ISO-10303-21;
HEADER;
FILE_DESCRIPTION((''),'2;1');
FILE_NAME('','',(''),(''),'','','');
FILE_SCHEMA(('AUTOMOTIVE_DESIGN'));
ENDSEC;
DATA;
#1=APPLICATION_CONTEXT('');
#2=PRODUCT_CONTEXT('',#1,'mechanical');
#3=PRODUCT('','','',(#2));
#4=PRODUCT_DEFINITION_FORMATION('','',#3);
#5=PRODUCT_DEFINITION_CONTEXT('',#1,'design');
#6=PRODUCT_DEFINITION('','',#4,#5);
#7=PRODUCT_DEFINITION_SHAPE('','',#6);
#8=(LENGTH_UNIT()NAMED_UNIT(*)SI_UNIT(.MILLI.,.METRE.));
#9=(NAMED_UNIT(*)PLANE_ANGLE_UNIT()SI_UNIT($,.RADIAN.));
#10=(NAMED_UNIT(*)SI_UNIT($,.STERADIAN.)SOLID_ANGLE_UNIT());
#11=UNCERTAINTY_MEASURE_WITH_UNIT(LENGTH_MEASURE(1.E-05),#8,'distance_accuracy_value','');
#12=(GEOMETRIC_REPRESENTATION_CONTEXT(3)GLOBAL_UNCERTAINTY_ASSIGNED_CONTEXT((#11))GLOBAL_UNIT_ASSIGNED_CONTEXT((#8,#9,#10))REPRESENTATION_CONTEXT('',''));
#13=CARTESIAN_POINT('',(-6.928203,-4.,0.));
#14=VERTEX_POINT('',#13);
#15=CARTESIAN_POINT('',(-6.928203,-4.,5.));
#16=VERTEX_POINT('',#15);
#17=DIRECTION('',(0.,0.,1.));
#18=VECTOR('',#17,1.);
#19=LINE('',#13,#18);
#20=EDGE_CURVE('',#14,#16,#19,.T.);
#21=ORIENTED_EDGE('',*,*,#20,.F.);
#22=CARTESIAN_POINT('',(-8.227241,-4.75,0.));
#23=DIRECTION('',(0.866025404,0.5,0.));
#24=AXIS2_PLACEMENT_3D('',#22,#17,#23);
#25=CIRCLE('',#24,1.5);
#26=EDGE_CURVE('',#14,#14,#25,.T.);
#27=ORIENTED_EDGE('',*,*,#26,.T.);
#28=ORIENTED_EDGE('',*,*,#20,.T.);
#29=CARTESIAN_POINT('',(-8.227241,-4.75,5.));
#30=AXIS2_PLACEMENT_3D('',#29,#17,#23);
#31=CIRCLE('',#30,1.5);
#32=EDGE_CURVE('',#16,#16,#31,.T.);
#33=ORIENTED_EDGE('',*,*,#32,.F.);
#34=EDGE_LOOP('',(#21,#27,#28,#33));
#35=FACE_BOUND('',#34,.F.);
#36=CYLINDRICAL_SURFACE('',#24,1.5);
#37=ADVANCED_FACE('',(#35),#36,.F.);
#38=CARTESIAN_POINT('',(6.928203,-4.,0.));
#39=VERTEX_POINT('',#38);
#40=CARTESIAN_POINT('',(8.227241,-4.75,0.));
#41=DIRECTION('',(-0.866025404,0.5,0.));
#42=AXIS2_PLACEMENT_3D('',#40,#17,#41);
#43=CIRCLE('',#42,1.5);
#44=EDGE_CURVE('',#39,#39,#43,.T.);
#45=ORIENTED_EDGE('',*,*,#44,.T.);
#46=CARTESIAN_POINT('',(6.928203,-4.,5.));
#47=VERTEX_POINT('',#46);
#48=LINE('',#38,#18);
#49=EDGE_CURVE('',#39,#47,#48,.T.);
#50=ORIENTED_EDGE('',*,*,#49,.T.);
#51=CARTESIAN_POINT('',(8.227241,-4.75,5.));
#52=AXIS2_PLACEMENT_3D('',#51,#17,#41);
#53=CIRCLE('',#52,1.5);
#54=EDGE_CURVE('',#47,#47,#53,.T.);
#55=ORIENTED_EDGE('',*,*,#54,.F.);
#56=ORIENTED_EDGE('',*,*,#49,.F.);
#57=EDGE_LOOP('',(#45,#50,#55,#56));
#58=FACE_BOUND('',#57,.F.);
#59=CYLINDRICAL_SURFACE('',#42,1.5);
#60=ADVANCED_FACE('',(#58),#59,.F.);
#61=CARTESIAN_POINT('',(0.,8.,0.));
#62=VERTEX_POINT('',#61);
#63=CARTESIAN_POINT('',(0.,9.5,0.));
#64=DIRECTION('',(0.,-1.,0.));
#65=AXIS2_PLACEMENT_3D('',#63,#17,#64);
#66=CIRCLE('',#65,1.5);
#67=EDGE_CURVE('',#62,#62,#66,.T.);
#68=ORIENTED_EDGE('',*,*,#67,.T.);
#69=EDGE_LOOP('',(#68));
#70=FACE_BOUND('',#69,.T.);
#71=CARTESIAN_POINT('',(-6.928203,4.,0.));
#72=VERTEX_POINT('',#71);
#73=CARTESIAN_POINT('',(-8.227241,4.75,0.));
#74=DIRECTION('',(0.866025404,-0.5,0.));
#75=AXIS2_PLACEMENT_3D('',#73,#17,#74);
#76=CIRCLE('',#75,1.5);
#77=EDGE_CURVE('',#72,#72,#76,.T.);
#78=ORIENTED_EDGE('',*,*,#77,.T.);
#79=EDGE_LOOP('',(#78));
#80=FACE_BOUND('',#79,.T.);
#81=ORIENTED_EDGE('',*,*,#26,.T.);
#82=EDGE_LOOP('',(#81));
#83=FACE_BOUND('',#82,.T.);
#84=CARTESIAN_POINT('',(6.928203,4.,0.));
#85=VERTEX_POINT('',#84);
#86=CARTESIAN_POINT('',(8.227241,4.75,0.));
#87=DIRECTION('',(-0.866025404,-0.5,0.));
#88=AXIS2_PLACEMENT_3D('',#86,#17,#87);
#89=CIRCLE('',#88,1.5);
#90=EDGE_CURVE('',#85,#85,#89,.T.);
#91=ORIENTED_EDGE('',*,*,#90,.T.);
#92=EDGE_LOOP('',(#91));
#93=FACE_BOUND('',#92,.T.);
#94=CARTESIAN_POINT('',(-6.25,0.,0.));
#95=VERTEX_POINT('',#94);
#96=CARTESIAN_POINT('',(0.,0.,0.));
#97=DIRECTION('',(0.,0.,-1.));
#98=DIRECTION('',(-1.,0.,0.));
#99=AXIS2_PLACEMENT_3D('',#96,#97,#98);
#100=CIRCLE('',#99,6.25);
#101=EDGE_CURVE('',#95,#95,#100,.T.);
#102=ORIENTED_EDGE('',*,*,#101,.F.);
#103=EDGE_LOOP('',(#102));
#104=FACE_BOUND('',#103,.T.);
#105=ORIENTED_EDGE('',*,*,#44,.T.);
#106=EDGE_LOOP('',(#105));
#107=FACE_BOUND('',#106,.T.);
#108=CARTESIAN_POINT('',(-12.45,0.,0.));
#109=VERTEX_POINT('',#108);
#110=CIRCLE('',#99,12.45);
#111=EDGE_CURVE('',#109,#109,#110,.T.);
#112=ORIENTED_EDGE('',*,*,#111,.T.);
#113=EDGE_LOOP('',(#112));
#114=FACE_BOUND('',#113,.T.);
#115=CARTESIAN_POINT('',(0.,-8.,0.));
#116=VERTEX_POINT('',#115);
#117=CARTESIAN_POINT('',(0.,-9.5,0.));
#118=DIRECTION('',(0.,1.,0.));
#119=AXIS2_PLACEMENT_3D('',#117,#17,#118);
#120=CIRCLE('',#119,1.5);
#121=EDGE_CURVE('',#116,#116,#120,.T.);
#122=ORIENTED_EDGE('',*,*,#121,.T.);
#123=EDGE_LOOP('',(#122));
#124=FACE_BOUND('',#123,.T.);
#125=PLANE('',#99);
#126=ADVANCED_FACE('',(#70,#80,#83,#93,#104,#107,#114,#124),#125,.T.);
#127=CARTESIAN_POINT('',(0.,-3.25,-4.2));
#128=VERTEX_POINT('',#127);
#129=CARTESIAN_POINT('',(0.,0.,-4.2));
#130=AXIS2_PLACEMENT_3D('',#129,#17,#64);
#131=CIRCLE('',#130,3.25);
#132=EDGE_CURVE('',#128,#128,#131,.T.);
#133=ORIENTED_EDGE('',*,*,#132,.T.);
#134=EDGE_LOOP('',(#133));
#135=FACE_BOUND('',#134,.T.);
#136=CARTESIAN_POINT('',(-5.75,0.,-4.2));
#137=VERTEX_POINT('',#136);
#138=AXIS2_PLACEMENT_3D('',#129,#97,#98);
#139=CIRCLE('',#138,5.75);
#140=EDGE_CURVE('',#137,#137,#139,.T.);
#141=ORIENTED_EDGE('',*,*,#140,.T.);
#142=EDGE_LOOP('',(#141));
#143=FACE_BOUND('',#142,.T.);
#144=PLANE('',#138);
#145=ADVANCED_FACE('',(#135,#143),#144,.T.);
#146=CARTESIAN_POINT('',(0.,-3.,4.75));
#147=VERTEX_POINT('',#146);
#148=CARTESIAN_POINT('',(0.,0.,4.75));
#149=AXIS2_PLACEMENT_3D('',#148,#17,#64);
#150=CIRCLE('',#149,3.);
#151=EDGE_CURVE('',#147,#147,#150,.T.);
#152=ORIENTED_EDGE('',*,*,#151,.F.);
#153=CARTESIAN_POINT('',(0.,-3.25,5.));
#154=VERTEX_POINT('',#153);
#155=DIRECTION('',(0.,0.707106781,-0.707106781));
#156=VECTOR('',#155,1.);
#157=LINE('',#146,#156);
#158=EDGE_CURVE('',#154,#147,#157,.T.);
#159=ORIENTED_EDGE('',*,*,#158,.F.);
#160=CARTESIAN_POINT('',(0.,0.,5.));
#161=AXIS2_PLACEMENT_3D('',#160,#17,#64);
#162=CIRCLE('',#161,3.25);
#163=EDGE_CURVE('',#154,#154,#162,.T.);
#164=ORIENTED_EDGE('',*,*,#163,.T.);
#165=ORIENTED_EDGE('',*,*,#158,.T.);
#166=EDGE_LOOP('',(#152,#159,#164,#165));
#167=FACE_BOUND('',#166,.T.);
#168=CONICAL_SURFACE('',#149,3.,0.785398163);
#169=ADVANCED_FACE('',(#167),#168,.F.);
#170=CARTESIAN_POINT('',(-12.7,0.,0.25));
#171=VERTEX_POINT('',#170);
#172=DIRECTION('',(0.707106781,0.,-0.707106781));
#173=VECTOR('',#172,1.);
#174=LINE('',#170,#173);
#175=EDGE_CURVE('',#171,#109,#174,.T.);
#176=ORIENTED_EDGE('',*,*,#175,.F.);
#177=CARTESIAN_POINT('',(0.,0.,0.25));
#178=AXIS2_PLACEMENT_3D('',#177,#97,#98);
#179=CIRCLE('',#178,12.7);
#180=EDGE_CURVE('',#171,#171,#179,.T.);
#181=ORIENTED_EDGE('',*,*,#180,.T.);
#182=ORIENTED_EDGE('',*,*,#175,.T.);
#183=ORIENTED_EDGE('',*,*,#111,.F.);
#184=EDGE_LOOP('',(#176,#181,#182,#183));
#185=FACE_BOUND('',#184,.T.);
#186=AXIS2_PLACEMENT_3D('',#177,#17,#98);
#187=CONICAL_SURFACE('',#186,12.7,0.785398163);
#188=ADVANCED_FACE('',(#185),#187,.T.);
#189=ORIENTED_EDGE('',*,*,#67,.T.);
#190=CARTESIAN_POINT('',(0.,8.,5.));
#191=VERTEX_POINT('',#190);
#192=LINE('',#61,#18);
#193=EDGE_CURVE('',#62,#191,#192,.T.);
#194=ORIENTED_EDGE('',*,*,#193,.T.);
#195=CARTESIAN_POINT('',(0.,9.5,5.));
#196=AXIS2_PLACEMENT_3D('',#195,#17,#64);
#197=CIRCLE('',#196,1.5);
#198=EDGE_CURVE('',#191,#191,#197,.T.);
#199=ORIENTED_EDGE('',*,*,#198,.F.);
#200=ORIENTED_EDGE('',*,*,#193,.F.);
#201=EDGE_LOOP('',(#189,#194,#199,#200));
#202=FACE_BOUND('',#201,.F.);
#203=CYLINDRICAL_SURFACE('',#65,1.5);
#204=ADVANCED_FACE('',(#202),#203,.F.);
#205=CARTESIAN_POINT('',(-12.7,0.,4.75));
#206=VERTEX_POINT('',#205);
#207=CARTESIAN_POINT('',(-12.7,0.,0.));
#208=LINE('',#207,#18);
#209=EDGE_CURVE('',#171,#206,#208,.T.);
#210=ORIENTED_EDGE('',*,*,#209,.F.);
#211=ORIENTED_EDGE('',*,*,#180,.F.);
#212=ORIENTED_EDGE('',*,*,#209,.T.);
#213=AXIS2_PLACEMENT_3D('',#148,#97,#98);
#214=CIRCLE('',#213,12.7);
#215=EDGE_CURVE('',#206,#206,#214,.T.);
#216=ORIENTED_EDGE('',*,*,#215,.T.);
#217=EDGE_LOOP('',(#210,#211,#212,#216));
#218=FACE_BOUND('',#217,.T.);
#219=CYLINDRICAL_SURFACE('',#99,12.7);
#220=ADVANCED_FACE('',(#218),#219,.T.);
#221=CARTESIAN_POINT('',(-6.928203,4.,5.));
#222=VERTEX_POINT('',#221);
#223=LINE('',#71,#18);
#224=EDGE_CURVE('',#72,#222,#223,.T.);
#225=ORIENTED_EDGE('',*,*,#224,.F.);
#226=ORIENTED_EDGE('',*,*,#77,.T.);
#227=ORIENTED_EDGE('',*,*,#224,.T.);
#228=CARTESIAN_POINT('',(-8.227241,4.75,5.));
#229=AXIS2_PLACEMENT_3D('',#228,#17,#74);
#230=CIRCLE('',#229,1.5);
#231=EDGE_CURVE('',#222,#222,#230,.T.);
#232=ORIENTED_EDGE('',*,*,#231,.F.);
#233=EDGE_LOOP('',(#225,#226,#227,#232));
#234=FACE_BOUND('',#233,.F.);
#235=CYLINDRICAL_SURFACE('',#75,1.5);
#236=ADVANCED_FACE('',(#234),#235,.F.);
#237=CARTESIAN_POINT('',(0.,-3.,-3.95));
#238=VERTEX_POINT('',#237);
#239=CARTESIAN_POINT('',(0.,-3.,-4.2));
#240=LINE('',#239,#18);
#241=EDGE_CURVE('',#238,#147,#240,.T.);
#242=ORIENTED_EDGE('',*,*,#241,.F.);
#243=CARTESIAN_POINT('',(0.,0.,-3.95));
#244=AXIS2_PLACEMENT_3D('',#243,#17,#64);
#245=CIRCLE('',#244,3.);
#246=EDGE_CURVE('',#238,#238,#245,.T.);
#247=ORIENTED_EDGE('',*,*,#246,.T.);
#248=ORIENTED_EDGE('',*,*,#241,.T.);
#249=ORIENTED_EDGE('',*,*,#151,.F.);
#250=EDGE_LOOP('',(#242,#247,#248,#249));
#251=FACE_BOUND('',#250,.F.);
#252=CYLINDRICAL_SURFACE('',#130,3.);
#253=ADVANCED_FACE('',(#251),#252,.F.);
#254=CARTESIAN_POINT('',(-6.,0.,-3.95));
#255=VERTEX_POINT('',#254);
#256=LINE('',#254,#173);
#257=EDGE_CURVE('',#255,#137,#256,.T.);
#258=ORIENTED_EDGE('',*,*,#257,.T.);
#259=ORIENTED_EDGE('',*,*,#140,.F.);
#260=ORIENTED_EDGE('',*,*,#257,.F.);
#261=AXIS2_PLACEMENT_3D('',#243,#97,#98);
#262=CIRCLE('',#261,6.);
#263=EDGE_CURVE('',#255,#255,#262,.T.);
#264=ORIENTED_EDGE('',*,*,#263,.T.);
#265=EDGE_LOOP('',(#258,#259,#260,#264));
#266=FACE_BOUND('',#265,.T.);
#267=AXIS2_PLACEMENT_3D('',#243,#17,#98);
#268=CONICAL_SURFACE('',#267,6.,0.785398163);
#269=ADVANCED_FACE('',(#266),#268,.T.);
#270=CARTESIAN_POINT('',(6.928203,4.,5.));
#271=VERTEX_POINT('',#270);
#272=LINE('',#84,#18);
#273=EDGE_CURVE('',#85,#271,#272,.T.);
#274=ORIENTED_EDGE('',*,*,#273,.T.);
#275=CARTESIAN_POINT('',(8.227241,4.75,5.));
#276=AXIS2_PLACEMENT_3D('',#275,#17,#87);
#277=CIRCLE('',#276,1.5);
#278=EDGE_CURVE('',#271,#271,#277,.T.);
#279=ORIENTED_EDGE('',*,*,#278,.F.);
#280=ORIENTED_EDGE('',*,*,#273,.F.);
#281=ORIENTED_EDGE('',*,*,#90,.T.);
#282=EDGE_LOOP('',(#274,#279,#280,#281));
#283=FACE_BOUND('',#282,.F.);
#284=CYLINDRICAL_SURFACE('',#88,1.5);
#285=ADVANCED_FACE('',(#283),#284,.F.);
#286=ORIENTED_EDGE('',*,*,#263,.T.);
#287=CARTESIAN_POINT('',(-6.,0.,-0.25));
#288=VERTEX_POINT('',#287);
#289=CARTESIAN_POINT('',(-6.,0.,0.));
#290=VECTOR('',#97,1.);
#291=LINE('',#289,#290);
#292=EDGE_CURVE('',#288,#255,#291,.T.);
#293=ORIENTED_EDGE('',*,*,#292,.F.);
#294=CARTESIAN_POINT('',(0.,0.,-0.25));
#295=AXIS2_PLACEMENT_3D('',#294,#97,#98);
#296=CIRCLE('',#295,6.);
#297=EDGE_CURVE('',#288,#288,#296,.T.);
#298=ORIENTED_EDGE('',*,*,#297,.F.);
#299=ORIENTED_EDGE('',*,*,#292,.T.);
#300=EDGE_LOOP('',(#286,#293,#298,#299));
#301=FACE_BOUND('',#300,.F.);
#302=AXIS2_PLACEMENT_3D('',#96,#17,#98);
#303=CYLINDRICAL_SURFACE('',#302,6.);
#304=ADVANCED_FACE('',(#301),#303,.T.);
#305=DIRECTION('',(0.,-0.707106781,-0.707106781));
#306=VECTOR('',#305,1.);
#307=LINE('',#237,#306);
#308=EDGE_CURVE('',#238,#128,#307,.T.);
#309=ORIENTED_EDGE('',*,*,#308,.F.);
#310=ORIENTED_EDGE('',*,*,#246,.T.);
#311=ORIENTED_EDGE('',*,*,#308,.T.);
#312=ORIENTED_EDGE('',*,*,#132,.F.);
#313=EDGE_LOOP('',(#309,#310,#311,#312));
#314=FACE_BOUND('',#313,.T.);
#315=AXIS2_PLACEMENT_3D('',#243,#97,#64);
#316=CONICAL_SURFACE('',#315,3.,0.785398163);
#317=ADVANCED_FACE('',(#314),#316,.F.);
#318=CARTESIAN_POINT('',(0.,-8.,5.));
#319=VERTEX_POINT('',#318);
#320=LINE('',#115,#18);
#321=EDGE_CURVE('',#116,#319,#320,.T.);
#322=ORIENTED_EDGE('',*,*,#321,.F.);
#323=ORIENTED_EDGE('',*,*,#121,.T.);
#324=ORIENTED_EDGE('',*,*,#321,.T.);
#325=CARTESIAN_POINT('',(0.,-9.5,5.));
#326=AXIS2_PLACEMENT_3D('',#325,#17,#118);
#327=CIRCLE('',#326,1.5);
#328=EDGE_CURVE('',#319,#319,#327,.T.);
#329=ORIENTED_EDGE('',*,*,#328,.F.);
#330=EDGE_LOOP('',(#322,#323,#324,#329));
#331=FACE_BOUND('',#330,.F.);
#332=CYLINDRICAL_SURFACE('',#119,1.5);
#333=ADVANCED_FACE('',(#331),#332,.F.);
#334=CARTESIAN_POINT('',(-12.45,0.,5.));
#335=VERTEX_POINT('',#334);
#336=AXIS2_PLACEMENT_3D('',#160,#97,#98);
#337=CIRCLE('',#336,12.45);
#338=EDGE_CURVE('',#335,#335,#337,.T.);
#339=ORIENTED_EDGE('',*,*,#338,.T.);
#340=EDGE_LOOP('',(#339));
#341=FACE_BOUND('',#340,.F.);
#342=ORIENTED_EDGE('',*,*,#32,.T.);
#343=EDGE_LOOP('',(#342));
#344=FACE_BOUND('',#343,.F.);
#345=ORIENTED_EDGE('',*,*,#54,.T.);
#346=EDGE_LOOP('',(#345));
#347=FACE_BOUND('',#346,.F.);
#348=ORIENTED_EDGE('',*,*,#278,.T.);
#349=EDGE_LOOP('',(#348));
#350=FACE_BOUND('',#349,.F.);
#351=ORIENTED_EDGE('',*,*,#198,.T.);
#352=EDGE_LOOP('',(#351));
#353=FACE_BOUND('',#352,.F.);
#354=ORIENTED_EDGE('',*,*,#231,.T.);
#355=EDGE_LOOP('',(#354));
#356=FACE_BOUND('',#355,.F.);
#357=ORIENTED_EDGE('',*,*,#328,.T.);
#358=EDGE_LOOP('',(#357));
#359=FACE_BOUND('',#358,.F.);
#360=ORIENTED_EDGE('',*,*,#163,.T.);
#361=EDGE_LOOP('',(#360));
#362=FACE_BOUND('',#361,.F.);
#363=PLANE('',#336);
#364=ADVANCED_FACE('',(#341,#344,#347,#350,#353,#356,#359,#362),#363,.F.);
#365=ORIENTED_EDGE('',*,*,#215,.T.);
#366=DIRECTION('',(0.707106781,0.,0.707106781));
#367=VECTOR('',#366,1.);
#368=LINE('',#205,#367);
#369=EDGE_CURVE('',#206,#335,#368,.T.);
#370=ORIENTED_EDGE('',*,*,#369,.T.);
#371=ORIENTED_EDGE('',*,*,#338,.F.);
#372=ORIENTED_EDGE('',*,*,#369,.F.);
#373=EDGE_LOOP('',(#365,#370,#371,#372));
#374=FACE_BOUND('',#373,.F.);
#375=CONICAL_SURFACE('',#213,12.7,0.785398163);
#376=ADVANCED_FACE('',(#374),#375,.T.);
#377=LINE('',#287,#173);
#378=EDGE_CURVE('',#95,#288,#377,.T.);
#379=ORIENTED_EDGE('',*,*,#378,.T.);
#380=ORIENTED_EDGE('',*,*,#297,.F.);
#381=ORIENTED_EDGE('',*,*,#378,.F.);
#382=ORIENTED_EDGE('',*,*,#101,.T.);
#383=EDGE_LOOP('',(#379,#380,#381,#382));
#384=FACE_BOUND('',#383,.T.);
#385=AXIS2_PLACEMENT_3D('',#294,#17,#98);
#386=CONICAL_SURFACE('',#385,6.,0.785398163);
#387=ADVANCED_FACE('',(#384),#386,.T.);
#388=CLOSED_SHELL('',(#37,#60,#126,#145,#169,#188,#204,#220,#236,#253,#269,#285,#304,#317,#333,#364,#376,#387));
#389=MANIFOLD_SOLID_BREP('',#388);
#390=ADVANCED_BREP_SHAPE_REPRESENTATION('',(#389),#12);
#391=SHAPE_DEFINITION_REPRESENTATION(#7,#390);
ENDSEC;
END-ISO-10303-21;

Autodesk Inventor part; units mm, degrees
ref_plane "YZ Plane" through (0, 0, 0) normal (1, 0, 0) x (0, 1, 0)
ref_plane "XZ Plane" through (0, 0, 0) normal (0, 1, 0) x (-1, 0, 0)
ref_plane "XY Plane" through (0, 0, 0) normal (0, 0, 1) x (1, 0, 0)
sketch "Szkic1" plane through (0, 0, 0) normal (0, 0, 1) x (1, 0, 0)
  circle A0 centre (0, 0) radius 12.7
  dimension "d0" = 25.4
extrude "Wyciągnięcie proste1" add sketch "Szkic1" along normal blind 4.2 and the other way blind 5
sketch "Szkic2" plane through (0, 0, 0) normal (0, 0, 1) x (1, 0, 0)
  circle A0 centre (0, 0) radius 6
  circle A1 centre (0, 0) radius 12.7 projected
  dimension "d5" = 12
extrude "Wyciągnięcie proste2" cut sketch "Szkic2" along normal blind 4.2
hole "Otwór1" at (0, 0, 4.2) direction (0, 0, -1) diameter 6 end through all
sketch "Szkic3" plane through (0, 0, 0) normal (0, 0, 1) x (1, 0, 0)
  line L0 (0, 0) -> (0, 9.5) construction
  dimension "d18" = 9.5
hole "Otwór2" at (0, 9.5, 0) direction (0, 0, -1) diameter 3 end through all
pattern_circular "Szyk kołowy1" count 6 over 360 about axis through (0, 0, -32.8805) along (0, 0, 1) of "Otwór2"
chamfer "Faza1" distance 0.25 angle 45 6 edges at (-6, 0, 4.2) (-12.7, 0, 0) (-12.7, 0, -5) (-6, 0, 0) (0, 3, -5) (0, 3, 4.2)
move or copy body "Przesuń bryłę1" bodies to move or copy 1 copy no rotation origin (0, 0, 0) rotation axis (0, 1, 0) rotation angle 180
properties part number "bepf_kolo_adapter_walu_fi6" material "Aluminium 6061"
